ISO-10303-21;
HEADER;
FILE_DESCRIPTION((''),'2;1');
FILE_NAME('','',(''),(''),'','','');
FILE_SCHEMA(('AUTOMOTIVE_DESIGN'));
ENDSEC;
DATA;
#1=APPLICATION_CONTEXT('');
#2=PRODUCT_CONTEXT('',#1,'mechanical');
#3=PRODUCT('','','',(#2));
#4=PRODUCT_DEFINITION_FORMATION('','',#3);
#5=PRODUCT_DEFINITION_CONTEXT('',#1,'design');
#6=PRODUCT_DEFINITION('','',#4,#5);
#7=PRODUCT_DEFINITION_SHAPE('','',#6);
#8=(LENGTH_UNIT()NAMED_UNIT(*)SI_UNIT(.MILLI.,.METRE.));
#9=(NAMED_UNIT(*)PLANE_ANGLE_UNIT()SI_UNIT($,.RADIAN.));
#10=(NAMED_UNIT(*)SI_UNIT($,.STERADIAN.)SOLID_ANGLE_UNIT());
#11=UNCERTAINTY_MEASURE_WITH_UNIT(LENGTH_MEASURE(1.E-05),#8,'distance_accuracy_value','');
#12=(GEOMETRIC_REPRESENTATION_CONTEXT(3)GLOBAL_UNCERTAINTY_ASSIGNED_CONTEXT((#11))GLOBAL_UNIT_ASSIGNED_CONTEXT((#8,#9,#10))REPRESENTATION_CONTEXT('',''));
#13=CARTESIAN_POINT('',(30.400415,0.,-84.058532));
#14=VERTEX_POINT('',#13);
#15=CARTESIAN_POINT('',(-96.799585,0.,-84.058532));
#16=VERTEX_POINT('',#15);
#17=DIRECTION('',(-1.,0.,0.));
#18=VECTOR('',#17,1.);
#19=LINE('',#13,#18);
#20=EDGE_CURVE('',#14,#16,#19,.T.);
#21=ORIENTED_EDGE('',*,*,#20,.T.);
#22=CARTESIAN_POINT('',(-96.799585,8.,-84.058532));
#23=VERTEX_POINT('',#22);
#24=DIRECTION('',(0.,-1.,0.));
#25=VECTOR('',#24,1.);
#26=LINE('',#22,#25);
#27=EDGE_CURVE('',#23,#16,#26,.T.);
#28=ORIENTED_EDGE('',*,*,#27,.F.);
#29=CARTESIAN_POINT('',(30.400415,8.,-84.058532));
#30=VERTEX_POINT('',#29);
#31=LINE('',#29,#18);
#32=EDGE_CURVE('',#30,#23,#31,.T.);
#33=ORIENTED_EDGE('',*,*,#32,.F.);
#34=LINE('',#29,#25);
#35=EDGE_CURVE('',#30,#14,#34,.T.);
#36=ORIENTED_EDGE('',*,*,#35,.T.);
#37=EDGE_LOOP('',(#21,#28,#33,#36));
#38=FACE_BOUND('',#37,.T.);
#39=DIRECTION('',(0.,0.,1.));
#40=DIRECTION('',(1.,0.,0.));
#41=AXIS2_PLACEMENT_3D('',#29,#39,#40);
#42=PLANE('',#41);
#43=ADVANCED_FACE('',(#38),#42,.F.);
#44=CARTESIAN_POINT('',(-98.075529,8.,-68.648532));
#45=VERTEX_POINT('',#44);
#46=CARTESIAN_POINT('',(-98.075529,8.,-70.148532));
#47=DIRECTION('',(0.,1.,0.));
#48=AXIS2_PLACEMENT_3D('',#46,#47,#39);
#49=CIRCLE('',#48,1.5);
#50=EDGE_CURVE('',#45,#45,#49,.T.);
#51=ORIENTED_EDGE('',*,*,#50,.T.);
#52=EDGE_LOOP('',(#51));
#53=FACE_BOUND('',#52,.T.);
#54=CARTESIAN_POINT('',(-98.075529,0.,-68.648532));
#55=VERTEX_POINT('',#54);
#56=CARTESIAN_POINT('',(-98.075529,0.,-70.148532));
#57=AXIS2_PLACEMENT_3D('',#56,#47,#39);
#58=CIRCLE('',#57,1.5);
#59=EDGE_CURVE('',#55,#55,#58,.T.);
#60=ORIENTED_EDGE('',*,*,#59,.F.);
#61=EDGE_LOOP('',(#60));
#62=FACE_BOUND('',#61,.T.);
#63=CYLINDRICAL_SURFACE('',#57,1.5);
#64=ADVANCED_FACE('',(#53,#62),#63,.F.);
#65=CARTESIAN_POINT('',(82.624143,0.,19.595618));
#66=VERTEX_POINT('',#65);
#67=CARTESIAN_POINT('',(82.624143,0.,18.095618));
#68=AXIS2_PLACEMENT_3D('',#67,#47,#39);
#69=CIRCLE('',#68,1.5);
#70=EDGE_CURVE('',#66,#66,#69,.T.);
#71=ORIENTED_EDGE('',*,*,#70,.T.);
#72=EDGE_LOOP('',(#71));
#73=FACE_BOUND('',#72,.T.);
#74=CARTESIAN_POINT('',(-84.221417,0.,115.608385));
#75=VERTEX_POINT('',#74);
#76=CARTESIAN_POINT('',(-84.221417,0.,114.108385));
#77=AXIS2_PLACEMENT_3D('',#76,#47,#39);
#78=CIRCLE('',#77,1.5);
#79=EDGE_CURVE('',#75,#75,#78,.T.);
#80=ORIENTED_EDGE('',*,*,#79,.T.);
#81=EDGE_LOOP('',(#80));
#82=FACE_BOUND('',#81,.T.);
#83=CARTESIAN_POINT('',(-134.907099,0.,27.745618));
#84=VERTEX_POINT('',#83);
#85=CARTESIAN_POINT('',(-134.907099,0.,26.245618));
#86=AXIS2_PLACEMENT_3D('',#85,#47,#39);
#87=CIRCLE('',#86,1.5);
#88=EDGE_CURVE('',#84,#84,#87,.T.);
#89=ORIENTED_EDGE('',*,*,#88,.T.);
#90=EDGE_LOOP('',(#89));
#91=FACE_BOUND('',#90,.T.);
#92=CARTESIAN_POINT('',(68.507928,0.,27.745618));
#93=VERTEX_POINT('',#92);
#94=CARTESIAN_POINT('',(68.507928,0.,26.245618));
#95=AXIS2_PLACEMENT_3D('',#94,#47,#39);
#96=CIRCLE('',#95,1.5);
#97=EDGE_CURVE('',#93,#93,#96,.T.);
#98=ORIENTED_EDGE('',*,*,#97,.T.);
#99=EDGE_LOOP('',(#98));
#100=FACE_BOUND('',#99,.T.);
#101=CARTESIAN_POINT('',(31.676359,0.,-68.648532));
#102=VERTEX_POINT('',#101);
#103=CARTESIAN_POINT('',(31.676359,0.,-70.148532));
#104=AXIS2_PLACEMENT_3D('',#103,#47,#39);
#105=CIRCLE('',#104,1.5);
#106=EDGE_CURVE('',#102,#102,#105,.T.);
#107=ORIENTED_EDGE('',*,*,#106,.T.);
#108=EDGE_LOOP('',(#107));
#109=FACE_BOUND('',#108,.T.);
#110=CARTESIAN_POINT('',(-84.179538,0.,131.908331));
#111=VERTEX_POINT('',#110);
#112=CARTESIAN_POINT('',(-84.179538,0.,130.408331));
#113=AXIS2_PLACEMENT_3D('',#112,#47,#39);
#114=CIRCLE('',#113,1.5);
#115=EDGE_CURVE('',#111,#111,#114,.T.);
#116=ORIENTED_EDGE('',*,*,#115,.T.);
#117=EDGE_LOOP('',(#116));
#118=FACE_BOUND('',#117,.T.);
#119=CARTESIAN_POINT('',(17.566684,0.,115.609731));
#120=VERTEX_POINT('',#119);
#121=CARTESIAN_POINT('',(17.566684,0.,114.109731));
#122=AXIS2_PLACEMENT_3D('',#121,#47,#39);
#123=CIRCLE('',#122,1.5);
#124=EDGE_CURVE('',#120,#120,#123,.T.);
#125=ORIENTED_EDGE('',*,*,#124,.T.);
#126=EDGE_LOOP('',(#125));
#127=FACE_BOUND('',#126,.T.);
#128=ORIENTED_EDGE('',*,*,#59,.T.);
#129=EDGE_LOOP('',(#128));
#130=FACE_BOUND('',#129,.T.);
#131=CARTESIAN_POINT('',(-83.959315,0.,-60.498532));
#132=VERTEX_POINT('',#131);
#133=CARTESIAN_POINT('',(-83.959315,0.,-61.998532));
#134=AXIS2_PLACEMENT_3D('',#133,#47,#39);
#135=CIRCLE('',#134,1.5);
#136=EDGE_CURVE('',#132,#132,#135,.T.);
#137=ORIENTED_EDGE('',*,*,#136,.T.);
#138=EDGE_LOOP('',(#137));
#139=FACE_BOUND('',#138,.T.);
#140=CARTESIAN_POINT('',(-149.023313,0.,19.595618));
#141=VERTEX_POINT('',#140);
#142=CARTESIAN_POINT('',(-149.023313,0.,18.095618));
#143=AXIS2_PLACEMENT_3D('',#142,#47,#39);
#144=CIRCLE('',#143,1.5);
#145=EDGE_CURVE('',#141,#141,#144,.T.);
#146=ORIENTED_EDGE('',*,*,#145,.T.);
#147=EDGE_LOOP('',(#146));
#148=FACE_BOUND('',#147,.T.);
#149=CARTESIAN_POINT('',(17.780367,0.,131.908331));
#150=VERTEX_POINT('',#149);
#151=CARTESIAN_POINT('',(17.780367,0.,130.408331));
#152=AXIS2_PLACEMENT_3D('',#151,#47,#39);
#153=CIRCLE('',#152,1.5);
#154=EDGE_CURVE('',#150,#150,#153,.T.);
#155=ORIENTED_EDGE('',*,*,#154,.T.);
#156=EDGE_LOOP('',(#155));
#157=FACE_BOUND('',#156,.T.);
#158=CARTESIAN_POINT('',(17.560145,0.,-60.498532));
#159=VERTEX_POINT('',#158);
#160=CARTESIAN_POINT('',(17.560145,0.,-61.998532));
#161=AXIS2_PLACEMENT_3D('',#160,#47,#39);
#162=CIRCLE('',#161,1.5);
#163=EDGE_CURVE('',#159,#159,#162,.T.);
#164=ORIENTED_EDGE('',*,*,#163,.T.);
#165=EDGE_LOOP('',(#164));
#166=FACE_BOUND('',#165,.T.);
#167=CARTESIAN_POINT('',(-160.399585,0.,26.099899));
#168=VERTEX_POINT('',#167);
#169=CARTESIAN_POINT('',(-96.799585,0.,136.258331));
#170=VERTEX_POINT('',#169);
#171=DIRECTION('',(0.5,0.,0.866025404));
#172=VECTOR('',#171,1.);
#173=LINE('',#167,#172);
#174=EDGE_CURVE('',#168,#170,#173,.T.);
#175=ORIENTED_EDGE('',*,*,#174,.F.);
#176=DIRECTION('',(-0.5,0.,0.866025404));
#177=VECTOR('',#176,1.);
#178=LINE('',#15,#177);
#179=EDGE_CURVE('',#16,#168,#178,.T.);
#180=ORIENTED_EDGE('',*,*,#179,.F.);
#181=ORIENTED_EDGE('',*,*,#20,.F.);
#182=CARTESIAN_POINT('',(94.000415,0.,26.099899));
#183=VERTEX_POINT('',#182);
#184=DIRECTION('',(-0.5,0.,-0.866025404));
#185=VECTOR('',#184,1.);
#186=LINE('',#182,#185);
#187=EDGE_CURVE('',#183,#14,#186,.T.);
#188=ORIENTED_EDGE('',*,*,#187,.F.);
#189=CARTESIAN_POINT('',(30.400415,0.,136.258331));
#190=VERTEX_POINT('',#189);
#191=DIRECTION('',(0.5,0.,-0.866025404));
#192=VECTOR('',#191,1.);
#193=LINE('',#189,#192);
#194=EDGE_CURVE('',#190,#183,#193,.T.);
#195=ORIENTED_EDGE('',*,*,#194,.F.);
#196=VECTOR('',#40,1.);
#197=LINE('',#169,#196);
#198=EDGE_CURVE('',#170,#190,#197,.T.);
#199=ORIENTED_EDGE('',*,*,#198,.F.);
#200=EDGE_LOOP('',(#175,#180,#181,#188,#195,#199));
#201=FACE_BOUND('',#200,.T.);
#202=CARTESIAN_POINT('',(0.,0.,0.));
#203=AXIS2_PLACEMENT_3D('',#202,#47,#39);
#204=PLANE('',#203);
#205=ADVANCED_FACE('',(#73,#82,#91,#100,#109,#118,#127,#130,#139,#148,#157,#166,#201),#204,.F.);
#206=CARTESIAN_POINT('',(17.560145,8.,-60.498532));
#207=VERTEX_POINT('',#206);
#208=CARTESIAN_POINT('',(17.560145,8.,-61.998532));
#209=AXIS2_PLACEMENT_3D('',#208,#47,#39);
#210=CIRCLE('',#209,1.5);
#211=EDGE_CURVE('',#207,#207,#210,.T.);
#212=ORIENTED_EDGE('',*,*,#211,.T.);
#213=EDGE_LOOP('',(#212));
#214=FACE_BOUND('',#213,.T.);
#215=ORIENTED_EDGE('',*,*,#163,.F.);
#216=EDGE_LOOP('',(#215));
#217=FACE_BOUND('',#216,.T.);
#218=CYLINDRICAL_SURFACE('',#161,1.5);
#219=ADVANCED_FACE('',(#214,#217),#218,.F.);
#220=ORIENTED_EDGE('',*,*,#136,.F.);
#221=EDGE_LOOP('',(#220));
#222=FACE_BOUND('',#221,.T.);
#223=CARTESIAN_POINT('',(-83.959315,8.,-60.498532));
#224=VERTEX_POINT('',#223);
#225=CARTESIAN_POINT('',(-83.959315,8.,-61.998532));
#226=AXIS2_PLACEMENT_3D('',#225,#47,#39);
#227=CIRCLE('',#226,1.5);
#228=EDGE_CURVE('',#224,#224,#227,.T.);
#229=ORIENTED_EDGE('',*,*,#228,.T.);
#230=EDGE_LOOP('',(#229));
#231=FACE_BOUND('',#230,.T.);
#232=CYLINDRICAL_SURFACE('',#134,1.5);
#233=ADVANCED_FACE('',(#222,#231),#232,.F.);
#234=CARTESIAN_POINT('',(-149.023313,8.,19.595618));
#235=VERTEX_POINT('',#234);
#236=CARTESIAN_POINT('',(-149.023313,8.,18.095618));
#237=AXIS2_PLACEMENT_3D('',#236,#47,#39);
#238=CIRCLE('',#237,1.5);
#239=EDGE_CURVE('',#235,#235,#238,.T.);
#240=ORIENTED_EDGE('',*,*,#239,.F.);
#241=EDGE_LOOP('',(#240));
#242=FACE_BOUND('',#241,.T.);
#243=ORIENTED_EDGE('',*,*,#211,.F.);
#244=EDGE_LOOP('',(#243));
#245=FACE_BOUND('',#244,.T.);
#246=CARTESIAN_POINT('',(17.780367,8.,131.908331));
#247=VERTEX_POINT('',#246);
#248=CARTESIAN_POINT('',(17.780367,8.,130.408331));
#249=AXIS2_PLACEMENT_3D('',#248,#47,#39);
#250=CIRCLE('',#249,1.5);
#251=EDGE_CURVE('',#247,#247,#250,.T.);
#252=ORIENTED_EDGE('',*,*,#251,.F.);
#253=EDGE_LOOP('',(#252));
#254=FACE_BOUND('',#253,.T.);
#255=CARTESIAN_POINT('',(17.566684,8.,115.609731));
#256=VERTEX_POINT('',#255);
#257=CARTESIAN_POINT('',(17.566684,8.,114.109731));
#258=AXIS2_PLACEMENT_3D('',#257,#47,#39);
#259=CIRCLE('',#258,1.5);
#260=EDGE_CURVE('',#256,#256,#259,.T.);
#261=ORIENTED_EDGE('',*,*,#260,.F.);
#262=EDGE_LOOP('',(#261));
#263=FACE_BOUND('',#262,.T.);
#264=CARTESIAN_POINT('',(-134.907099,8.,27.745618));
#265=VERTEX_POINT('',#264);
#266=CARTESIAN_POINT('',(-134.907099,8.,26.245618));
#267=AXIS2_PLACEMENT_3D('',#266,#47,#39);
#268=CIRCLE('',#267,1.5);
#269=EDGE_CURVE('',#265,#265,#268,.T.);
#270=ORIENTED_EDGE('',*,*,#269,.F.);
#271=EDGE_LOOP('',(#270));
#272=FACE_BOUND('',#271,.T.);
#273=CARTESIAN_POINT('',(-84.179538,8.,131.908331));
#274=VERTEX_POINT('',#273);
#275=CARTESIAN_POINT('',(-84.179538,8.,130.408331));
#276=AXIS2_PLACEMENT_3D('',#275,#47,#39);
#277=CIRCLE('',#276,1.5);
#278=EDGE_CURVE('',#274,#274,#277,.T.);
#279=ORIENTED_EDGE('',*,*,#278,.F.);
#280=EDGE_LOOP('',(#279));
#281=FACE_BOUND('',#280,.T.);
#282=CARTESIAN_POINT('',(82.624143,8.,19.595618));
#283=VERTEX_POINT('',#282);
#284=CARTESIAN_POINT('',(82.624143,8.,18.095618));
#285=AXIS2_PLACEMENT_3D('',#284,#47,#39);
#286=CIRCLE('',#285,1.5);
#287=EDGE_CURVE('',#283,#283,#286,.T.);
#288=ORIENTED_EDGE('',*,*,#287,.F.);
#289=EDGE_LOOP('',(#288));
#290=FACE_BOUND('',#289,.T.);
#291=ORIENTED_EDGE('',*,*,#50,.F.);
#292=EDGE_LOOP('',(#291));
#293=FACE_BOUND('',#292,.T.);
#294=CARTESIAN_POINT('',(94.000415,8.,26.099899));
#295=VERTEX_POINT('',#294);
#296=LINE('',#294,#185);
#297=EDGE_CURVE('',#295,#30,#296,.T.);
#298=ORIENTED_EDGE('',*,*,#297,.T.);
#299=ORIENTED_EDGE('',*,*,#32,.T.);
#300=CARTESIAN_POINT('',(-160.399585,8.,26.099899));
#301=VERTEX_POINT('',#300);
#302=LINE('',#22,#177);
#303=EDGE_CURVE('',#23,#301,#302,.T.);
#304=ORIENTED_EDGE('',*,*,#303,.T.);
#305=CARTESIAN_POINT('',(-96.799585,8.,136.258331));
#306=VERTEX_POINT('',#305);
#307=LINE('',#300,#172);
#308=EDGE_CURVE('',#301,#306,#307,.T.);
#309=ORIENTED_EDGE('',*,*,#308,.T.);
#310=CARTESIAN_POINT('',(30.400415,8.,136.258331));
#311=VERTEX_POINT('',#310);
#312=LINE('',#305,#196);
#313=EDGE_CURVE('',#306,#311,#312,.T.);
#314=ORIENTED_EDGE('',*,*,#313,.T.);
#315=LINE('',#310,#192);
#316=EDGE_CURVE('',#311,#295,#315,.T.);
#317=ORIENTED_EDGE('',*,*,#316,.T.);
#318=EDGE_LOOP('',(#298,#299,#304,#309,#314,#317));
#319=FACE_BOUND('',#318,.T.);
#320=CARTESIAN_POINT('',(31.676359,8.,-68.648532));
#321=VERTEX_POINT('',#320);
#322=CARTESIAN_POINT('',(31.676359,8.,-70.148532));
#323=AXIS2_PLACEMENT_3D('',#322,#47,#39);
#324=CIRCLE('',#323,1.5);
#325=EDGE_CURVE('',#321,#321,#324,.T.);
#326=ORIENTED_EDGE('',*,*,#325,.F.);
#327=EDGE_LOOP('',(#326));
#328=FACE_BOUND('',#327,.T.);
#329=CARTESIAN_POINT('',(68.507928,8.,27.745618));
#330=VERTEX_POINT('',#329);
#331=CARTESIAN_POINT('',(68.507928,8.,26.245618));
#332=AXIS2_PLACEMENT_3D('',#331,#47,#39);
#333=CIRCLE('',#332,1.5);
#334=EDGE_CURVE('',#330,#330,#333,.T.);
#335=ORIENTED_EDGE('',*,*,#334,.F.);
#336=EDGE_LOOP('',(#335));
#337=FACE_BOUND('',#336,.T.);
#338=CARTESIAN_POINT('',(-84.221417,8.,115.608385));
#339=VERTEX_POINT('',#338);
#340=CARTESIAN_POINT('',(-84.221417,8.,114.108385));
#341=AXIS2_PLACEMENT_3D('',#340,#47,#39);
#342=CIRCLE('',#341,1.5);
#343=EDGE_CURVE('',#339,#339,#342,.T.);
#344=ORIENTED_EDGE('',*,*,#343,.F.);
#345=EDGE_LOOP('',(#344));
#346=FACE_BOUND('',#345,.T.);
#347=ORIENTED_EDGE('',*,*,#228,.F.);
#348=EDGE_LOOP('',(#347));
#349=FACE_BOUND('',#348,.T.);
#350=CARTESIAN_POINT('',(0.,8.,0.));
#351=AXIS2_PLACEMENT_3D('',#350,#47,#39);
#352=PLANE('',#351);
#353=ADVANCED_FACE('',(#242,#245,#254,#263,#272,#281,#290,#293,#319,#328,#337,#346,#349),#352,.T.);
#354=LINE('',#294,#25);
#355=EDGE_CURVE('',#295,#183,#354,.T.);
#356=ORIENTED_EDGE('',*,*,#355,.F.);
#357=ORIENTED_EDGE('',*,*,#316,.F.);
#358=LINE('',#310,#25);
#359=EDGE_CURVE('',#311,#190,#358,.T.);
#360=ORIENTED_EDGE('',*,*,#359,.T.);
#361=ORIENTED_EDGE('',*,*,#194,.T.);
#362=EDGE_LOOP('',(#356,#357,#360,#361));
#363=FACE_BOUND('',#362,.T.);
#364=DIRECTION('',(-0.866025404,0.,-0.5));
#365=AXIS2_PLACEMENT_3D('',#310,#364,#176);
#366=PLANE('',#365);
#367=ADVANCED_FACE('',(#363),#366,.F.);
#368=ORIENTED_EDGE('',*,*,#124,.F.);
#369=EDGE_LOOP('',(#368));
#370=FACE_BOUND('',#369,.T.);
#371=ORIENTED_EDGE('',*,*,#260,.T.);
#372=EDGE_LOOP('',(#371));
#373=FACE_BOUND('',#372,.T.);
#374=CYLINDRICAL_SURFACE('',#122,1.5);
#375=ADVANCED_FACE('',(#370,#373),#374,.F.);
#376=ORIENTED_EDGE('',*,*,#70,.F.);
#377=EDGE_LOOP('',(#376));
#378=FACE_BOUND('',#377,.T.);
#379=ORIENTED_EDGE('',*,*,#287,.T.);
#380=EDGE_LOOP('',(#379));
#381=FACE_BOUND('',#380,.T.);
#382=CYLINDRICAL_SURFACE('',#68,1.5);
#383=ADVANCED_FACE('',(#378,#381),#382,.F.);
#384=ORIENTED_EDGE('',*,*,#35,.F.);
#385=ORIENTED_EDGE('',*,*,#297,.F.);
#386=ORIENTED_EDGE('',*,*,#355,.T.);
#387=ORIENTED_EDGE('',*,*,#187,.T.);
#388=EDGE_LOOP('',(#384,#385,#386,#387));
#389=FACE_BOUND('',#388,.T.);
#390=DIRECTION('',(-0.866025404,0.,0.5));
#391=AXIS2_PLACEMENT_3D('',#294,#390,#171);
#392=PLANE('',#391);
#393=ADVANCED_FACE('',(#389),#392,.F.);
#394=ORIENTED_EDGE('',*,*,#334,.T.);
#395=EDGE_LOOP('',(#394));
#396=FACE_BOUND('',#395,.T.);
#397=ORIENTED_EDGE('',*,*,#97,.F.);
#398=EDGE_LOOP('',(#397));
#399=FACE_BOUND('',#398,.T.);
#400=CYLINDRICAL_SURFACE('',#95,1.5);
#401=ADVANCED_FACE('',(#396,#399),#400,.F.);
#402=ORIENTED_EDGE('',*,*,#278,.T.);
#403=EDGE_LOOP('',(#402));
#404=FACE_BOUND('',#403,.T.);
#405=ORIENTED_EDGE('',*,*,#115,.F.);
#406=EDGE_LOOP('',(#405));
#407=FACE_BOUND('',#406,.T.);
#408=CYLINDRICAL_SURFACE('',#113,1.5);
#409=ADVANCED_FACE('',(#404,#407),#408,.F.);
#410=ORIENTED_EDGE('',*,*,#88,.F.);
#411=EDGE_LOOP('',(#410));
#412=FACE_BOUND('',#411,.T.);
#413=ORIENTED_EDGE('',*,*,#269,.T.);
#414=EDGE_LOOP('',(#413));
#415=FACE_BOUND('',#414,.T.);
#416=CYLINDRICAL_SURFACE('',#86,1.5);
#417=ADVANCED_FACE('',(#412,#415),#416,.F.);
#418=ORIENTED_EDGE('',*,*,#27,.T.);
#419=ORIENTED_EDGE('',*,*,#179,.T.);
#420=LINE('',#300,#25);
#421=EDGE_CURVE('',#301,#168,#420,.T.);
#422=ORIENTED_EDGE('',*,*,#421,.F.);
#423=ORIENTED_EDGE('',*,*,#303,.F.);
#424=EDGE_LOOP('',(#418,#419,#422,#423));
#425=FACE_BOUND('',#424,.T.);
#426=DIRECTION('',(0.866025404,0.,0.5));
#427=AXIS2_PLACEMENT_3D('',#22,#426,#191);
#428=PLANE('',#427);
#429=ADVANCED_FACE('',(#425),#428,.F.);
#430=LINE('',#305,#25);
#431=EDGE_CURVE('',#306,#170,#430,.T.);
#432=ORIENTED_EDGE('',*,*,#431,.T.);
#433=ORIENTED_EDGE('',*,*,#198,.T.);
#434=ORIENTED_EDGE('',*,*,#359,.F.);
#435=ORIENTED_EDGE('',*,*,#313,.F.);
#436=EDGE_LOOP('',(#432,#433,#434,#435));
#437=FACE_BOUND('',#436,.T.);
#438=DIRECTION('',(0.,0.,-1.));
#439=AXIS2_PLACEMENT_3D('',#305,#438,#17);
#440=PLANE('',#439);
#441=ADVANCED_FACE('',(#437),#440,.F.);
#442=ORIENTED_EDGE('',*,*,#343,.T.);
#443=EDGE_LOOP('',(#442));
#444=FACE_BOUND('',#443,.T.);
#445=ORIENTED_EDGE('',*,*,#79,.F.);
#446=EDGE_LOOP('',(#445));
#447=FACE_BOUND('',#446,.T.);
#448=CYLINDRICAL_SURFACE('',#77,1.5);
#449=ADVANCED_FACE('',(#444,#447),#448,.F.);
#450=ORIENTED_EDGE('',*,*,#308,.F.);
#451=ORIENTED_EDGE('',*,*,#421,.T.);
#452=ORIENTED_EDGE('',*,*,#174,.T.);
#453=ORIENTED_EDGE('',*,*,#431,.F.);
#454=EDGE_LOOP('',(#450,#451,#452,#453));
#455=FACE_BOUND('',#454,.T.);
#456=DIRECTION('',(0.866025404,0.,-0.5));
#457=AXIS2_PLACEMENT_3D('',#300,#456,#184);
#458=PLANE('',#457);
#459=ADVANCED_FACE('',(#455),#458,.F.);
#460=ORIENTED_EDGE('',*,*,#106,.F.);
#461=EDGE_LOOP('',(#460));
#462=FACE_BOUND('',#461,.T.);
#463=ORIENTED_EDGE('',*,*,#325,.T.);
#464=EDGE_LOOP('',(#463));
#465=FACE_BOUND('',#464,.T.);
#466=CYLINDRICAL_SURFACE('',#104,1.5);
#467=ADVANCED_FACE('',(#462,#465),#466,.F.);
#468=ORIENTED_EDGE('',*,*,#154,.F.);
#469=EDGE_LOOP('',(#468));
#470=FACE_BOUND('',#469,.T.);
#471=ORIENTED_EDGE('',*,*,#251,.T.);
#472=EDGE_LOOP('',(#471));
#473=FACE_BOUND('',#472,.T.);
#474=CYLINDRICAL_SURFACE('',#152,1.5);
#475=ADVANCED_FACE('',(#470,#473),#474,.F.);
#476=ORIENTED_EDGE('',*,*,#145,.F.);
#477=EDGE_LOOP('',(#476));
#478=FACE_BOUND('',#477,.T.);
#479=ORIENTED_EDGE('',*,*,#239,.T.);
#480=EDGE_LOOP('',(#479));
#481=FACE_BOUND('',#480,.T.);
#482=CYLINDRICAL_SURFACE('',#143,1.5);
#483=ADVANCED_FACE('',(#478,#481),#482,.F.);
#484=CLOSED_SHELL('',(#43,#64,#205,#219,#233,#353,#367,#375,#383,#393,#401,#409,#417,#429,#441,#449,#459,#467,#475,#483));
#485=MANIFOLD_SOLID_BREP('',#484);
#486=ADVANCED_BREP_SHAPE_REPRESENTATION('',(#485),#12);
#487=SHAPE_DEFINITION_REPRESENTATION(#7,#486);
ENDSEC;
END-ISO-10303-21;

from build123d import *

# Parameters (mm, degrees)
BOSS_EXTRUDE2_DEPTH = 8
SKETCH2_R           = 1.5
CUT_EXTRUDE1_DEPTH  = 211.61424354


with BuildPart() as part:
    # Sketch1 → Boss-Extrude2 (new body)
    with BuildSketch(Plane(origin=(0, 0, 0), x_dir=(1, 0, 0), z_dir=(0, 1, 0))):
        Polygon((94.000414938, -26.09989937), (30.400414938, 84.058531992), (-96.799585062, 84.058531992), (-160.399585062, -26.09989937), (-96.799585062, -136.258330731), (30.400414938, -136.258330731), align=None)
    extrude(amount=BOSS_EXTRUDE2_DEPTH)

    # Sketch2 → Cut-Extrude1 (cut, through all)
    with BuildSketch(Plane(origin=(0, 8, 0), x_dir=(1, 0, 0), z_dir=(0, 1, 0))):
        with Locations(Location((17.780367394, -130.408330731, 0), (0, 0, 270))):
            Circle(SKETCH2_R)
        with Locations(Location((-84.179537519, -130.408330731, 0), (0, 0, 270))):
            Circle(SKETCH2_R)
        with Locations(Location((-84.221416865, -114.108384531, 0), (0, 0, 270))):
            Circle(SKETCH2_R)
        with Locations(Location((17.566684484, -114.109731417, 0), (0, 0, 270))):
            Circle(SKETCH2_R)
        with Locations(Location((82.624142554, -18.0956176, 0), (0, 0, 270))):
            Circle(SKETCH2_R)
        with Locations(Location((68.507928472, -26.2456176, 0), (0, 0, 270))):
            Circle(SKETCH2_R)
        with Locations(Location((31.676359033, 70.148531992, 0), (0, 0, 270))):
            Circle(SKETCH2_R)
        with Locations(Location((17.560144951, 61.998531992, 0), (0, 0, 270))):
            Circle(SKETCH2_R)
        with Locations(Location((-98.075529157, 70.148531992, 0), (0, 0, 270))):
            Circle(SKETCH2_R)
        with Locations(Location((-83.959315075, 61.998531992, 0), (0, 0, 270))):
            Circle(SKETCH2_R)
        with Locations(Location((-149.023312678, -18.0956176, 0), (0, 0, 270))):
            Circle(SKETCH2_R)
        with Locations(Location((-134.907098597, -26.2456176, 0), (0, 0, 270))):
            Circle(SKETCH2_R)
    extrude(amount=-CUT_EXTRUDE1_DEPTH, mode=Mode.SUBTRACT)


solid = part.part
